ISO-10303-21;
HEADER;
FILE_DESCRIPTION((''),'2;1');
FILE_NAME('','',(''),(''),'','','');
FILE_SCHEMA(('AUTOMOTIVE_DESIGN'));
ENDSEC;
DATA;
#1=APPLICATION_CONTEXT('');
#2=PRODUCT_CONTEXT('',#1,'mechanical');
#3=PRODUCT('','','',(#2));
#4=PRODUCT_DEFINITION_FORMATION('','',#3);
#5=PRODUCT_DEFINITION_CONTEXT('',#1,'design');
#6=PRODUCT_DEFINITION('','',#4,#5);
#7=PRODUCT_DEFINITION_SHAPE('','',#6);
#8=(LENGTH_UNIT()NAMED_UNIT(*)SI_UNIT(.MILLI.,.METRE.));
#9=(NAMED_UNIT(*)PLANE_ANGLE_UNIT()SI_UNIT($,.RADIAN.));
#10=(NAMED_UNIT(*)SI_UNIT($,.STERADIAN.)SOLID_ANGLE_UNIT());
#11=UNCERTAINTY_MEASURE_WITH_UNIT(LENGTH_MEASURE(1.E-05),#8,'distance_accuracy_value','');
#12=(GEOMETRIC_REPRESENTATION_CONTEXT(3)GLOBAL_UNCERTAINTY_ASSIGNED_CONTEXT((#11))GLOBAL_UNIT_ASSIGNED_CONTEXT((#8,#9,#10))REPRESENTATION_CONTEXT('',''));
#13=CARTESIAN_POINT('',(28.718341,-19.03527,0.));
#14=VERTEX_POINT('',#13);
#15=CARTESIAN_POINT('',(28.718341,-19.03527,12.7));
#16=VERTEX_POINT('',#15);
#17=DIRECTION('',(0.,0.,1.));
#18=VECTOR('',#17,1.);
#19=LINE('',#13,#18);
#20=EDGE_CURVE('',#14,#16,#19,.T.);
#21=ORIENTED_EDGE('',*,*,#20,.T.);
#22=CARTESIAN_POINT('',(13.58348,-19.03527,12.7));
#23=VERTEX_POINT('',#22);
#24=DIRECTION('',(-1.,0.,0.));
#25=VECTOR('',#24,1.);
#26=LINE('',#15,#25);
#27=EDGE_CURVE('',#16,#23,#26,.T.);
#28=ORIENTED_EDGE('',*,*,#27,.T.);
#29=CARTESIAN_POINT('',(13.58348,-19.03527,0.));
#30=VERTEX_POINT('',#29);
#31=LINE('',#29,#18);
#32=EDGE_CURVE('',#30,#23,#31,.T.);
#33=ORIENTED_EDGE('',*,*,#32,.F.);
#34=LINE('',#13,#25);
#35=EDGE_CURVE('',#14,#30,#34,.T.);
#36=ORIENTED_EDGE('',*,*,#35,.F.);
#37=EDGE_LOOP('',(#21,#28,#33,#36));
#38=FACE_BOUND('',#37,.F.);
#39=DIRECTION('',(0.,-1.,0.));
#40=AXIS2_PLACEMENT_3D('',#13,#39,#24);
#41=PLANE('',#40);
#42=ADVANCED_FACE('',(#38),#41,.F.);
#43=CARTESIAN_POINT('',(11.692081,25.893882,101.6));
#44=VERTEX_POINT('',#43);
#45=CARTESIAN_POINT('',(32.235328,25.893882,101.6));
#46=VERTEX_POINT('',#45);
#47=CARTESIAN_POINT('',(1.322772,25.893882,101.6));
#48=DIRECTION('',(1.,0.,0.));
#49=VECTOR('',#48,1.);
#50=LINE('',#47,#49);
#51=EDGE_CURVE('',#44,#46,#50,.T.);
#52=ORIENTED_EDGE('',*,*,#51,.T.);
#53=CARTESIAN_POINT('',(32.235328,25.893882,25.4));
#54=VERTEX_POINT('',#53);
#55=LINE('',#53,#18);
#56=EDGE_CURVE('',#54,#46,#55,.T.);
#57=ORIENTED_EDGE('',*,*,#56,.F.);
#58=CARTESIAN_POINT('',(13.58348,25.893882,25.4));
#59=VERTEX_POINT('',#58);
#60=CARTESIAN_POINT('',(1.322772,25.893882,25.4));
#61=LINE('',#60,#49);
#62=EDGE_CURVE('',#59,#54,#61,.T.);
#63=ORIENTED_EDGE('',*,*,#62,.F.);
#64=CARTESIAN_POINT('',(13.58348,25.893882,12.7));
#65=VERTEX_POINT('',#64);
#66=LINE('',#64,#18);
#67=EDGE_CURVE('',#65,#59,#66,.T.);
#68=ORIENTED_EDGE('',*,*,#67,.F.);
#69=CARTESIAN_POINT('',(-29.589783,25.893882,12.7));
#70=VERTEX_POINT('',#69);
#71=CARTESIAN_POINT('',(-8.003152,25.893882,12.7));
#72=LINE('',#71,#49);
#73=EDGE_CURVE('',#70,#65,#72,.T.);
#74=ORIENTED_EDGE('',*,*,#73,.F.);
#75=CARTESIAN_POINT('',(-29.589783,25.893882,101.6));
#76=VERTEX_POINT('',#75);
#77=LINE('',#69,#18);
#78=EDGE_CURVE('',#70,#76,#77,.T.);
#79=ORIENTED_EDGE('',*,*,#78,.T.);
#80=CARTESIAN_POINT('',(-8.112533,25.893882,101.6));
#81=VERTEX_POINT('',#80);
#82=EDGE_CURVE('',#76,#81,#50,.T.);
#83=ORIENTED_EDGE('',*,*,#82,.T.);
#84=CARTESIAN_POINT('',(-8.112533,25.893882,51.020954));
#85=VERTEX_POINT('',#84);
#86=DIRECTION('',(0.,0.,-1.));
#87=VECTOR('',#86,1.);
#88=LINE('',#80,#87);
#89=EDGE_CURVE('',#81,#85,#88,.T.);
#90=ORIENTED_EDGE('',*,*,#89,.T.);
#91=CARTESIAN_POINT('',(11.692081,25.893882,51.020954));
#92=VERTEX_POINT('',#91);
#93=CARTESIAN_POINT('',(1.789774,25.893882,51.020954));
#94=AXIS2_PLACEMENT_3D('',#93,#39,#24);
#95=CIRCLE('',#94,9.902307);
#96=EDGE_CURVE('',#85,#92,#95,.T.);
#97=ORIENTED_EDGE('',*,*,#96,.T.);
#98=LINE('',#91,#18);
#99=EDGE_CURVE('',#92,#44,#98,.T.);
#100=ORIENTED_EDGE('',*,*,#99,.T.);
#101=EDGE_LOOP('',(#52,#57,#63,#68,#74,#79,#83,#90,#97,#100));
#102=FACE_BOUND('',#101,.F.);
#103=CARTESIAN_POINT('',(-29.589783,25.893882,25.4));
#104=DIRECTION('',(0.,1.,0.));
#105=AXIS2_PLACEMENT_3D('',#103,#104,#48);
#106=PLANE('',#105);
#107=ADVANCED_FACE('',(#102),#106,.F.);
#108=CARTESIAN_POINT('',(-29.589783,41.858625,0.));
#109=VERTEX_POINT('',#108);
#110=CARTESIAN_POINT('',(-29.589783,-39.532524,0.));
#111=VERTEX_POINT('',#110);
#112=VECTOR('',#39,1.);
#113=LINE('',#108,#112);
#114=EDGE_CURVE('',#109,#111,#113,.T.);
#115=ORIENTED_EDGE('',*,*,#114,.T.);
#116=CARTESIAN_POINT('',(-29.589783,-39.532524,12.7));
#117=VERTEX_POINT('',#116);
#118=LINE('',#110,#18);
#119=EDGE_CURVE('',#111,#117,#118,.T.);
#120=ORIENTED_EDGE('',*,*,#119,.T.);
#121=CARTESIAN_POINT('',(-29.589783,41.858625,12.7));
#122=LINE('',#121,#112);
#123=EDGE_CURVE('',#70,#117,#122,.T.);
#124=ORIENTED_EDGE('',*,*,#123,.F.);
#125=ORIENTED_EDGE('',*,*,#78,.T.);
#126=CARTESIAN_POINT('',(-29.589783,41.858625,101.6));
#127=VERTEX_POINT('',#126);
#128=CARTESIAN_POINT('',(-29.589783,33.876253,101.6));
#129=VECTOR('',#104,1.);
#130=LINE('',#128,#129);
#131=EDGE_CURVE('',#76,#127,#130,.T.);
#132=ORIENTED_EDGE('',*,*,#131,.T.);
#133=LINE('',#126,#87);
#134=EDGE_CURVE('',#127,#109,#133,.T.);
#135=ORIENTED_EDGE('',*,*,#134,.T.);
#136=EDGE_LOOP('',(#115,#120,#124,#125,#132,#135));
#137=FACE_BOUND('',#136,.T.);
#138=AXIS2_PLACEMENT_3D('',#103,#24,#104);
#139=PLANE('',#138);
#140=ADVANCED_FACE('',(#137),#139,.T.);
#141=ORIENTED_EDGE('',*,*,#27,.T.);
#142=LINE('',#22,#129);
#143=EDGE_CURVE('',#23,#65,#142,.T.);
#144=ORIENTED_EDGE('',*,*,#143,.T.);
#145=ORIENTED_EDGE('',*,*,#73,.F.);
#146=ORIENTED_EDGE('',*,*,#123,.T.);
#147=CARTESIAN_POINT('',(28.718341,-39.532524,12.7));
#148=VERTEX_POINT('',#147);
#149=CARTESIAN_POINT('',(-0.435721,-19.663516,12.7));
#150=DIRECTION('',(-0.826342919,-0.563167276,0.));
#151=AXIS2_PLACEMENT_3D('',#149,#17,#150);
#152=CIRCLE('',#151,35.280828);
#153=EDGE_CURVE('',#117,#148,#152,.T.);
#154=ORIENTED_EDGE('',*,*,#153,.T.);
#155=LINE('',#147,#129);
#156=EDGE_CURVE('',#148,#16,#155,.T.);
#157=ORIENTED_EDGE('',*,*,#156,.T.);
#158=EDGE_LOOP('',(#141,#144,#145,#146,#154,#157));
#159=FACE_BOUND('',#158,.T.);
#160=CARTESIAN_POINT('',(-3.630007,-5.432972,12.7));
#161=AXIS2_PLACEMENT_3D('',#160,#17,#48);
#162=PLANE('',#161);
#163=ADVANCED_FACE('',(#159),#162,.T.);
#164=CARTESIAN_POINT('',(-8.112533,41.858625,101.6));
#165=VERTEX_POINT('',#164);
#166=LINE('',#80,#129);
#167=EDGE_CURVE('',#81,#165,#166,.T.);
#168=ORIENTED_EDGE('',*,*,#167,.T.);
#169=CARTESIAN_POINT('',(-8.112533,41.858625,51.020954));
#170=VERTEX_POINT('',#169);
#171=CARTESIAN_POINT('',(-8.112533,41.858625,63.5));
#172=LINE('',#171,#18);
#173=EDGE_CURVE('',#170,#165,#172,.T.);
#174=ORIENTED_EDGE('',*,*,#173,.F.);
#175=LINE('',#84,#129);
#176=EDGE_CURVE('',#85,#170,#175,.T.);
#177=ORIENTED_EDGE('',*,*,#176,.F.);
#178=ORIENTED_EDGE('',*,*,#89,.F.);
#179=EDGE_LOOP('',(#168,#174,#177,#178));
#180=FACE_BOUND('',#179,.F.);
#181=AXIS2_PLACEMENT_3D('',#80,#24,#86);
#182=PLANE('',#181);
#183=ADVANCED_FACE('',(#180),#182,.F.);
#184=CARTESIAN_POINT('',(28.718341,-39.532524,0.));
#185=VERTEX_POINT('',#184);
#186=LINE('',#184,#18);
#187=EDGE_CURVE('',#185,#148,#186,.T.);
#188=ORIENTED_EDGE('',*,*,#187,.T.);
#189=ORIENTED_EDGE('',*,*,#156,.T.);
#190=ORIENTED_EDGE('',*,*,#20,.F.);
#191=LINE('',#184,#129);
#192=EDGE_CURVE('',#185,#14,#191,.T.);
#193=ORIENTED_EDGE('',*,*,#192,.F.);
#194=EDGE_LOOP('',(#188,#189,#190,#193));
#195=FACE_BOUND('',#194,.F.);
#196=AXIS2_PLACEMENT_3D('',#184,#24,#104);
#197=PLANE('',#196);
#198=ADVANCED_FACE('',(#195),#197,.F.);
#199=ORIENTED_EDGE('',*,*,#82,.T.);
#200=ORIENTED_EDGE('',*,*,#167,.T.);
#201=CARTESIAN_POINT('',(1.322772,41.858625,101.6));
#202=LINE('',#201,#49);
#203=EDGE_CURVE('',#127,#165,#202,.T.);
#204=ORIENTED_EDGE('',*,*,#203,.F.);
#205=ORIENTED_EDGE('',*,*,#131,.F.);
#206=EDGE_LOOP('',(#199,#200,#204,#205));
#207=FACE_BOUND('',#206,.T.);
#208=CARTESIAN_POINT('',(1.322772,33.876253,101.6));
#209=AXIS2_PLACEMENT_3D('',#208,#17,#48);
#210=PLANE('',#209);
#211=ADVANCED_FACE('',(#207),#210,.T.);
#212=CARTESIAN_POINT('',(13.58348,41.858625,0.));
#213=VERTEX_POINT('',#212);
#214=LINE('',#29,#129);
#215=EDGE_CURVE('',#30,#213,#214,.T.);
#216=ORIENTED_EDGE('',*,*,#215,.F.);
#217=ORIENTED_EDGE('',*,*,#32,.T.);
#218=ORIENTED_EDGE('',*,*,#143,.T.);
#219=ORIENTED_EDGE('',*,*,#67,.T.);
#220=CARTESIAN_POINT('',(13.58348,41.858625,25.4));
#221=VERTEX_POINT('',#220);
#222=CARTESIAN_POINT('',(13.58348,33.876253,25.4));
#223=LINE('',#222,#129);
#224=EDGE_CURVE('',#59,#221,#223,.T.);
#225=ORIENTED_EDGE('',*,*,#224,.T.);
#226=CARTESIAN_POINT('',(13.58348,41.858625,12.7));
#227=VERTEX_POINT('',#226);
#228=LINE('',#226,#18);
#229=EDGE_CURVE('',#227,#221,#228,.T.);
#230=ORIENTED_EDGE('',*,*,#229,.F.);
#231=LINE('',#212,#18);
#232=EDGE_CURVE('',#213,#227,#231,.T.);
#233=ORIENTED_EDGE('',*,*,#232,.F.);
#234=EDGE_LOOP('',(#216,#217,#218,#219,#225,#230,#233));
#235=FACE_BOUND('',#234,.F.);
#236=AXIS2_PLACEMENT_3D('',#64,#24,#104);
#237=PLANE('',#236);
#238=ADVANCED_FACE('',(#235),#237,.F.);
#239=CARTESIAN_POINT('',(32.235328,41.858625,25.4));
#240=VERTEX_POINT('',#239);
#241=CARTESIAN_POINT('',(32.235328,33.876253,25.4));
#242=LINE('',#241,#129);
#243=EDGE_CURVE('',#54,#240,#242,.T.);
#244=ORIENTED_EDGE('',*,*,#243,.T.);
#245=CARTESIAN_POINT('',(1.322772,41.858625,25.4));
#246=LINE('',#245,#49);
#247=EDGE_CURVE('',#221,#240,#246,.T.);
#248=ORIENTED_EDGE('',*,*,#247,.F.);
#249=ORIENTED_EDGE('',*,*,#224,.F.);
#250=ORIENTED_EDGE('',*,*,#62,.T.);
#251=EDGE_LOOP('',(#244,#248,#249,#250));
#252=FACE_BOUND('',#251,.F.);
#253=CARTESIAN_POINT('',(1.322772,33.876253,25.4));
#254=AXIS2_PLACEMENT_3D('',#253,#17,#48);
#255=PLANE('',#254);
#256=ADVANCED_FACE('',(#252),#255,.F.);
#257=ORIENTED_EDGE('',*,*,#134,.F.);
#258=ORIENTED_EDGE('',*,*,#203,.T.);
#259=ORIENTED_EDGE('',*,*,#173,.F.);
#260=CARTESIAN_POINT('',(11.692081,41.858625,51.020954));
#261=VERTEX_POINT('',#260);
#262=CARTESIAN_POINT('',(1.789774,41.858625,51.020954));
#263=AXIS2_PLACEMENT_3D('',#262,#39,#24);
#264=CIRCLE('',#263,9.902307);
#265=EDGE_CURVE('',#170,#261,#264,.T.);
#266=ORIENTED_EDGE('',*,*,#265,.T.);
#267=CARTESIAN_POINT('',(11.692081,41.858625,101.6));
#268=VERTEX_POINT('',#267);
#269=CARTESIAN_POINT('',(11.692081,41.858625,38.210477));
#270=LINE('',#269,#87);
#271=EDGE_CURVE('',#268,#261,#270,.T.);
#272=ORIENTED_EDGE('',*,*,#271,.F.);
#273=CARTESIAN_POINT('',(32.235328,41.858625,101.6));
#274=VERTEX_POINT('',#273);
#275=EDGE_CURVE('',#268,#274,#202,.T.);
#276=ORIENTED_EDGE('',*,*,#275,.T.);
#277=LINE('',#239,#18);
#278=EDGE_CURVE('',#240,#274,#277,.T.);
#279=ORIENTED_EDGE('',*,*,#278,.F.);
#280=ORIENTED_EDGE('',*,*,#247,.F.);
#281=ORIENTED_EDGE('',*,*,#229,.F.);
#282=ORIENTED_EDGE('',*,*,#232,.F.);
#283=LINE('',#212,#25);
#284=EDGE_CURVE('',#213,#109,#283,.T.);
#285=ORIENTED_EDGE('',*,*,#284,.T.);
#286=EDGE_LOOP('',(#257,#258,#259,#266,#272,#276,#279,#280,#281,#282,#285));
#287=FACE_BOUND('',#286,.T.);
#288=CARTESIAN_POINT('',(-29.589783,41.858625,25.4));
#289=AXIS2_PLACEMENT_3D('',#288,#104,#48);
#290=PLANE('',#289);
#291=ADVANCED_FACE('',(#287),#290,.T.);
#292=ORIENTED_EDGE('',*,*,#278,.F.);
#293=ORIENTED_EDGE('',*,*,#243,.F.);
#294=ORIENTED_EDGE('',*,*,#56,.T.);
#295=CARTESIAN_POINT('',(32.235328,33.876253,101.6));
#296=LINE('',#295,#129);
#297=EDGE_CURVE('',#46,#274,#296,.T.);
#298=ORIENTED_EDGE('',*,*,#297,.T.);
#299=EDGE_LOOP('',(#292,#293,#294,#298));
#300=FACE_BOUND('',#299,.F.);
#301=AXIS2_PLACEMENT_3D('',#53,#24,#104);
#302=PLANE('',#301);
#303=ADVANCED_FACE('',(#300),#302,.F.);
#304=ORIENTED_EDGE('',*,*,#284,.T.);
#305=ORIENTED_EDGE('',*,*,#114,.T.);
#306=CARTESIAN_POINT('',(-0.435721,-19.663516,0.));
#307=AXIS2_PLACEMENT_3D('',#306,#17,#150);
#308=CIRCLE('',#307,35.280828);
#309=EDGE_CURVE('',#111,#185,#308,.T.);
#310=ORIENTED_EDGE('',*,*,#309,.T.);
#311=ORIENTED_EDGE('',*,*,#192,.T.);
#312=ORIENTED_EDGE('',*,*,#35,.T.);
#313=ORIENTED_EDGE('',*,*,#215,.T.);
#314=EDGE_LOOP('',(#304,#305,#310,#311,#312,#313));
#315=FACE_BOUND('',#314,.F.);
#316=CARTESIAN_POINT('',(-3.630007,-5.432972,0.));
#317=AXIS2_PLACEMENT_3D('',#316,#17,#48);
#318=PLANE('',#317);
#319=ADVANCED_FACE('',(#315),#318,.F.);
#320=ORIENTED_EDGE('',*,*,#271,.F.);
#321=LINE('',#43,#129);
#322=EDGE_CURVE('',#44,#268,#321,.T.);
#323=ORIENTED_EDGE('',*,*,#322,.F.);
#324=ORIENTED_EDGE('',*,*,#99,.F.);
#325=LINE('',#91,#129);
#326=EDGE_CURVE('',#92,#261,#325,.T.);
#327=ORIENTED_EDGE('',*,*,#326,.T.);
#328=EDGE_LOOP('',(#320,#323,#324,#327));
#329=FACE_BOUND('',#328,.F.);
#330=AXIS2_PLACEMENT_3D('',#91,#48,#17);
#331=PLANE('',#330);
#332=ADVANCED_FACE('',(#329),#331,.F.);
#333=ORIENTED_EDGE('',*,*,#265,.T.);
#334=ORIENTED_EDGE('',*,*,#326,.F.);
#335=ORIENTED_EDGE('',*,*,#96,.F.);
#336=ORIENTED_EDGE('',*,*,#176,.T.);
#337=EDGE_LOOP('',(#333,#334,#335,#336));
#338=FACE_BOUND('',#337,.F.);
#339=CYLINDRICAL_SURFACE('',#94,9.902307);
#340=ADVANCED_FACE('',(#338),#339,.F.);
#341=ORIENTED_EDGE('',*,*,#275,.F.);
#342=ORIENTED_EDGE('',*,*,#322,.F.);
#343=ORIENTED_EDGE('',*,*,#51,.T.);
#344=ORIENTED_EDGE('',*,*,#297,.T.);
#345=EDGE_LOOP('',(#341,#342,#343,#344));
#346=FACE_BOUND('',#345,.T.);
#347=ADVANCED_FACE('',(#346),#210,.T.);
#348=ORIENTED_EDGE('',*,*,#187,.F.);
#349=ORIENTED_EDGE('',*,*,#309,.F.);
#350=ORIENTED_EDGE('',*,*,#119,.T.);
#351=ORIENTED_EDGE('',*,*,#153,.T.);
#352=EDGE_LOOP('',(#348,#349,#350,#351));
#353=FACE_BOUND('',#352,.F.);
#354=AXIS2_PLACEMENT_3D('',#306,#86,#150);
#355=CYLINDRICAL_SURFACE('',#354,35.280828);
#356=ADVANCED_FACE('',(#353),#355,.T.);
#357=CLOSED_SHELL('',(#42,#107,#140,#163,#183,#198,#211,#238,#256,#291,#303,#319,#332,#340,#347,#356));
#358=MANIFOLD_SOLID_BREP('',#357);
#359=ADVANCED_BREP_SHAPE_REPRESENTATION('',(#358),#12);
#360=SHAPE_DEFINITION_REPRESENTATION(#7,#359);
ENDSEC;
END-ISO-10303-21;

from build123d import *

# Parameters (mm, degrees)
F1_DEPTH = 12.7
F2_W     = 43.1732637808
F2_H     = 15.9647427499
F3_DEPTH = 12.7
F4_W     = 61.8251115084
F4_H     = 15.9647427499
F5_DEPTH = 76.2
F7_DEPTH = 25.4


with BuildPart() as f1:
    # F0 (on Top) → F1 (new body)
    with BuildSketch(Plane.XY):
        with BuildLine():
            Line((13.5834803805, 41.8586246669), (-29.5897834003, 41.8586246669))
            Line((-29.5897834003, 41.8586246669), (-29.5897834003, -19.0352704376))
            Line((-29.5897834003, -19.0352704376), (-29.5897834003, -39.5325236022))
            ThreePointArc((-29.5897834003, -39.5325236022), (-0.4357211292, -54.9443437525), (28.7183411419, -39.5325236022))
            Line((28.7183411419, -39.5325236022), (28.7183411419, -19.0352704376))
            Line((28.7183411419, -19.0352704376), (13.5834803805, -19.0352704376))
            Line((13.5834803805, -19.0352704376), (13.5834803805, 41.8586246669))
        make_face()
    extrude(amount=F1_DEPTH)

    # F2 (on face) → F3 (join)
    with BuildSketch(Plane.XY.offset(12.7)):
        with Locations((-8.0031515099, 33.876253292)):
            Rectangle(F2_W, F2_H)
    extrude(amount=F3_DEPTH)

    # F4 (on face) → F5 (join)
    with BuildSketch(Plane.XY.offset(25.4)):
        with Locations((1.3227723539, 33.876253292)):
            Rectangle(F4_W, F4_H)
    extrude(amount=F5_DEPTH)

    # F6 (on face) → F7 (cut)
    with BuildSketch(Plane.XZ.offset(-25.893881917)):
        with BuildLine():
            Line((11.6920806468, 101.6), (-8.112533018, 101.6))
            Line((-8.112533018, 101.6), (-8.112533018, 51.0209538043))
            ThreePointArc((-8.112533018, 51.0209538043), (1.7897738144, 41.1186469719), (11.6920806468, 51.0209538043))
            Line((11.6920806468, 51.0209538043), (11.6920806468, 101.6))
        make_face()
    extrude(amount=-F7_DEPTH, mode=Mode.SUBTRACT)


solid = f1.part
